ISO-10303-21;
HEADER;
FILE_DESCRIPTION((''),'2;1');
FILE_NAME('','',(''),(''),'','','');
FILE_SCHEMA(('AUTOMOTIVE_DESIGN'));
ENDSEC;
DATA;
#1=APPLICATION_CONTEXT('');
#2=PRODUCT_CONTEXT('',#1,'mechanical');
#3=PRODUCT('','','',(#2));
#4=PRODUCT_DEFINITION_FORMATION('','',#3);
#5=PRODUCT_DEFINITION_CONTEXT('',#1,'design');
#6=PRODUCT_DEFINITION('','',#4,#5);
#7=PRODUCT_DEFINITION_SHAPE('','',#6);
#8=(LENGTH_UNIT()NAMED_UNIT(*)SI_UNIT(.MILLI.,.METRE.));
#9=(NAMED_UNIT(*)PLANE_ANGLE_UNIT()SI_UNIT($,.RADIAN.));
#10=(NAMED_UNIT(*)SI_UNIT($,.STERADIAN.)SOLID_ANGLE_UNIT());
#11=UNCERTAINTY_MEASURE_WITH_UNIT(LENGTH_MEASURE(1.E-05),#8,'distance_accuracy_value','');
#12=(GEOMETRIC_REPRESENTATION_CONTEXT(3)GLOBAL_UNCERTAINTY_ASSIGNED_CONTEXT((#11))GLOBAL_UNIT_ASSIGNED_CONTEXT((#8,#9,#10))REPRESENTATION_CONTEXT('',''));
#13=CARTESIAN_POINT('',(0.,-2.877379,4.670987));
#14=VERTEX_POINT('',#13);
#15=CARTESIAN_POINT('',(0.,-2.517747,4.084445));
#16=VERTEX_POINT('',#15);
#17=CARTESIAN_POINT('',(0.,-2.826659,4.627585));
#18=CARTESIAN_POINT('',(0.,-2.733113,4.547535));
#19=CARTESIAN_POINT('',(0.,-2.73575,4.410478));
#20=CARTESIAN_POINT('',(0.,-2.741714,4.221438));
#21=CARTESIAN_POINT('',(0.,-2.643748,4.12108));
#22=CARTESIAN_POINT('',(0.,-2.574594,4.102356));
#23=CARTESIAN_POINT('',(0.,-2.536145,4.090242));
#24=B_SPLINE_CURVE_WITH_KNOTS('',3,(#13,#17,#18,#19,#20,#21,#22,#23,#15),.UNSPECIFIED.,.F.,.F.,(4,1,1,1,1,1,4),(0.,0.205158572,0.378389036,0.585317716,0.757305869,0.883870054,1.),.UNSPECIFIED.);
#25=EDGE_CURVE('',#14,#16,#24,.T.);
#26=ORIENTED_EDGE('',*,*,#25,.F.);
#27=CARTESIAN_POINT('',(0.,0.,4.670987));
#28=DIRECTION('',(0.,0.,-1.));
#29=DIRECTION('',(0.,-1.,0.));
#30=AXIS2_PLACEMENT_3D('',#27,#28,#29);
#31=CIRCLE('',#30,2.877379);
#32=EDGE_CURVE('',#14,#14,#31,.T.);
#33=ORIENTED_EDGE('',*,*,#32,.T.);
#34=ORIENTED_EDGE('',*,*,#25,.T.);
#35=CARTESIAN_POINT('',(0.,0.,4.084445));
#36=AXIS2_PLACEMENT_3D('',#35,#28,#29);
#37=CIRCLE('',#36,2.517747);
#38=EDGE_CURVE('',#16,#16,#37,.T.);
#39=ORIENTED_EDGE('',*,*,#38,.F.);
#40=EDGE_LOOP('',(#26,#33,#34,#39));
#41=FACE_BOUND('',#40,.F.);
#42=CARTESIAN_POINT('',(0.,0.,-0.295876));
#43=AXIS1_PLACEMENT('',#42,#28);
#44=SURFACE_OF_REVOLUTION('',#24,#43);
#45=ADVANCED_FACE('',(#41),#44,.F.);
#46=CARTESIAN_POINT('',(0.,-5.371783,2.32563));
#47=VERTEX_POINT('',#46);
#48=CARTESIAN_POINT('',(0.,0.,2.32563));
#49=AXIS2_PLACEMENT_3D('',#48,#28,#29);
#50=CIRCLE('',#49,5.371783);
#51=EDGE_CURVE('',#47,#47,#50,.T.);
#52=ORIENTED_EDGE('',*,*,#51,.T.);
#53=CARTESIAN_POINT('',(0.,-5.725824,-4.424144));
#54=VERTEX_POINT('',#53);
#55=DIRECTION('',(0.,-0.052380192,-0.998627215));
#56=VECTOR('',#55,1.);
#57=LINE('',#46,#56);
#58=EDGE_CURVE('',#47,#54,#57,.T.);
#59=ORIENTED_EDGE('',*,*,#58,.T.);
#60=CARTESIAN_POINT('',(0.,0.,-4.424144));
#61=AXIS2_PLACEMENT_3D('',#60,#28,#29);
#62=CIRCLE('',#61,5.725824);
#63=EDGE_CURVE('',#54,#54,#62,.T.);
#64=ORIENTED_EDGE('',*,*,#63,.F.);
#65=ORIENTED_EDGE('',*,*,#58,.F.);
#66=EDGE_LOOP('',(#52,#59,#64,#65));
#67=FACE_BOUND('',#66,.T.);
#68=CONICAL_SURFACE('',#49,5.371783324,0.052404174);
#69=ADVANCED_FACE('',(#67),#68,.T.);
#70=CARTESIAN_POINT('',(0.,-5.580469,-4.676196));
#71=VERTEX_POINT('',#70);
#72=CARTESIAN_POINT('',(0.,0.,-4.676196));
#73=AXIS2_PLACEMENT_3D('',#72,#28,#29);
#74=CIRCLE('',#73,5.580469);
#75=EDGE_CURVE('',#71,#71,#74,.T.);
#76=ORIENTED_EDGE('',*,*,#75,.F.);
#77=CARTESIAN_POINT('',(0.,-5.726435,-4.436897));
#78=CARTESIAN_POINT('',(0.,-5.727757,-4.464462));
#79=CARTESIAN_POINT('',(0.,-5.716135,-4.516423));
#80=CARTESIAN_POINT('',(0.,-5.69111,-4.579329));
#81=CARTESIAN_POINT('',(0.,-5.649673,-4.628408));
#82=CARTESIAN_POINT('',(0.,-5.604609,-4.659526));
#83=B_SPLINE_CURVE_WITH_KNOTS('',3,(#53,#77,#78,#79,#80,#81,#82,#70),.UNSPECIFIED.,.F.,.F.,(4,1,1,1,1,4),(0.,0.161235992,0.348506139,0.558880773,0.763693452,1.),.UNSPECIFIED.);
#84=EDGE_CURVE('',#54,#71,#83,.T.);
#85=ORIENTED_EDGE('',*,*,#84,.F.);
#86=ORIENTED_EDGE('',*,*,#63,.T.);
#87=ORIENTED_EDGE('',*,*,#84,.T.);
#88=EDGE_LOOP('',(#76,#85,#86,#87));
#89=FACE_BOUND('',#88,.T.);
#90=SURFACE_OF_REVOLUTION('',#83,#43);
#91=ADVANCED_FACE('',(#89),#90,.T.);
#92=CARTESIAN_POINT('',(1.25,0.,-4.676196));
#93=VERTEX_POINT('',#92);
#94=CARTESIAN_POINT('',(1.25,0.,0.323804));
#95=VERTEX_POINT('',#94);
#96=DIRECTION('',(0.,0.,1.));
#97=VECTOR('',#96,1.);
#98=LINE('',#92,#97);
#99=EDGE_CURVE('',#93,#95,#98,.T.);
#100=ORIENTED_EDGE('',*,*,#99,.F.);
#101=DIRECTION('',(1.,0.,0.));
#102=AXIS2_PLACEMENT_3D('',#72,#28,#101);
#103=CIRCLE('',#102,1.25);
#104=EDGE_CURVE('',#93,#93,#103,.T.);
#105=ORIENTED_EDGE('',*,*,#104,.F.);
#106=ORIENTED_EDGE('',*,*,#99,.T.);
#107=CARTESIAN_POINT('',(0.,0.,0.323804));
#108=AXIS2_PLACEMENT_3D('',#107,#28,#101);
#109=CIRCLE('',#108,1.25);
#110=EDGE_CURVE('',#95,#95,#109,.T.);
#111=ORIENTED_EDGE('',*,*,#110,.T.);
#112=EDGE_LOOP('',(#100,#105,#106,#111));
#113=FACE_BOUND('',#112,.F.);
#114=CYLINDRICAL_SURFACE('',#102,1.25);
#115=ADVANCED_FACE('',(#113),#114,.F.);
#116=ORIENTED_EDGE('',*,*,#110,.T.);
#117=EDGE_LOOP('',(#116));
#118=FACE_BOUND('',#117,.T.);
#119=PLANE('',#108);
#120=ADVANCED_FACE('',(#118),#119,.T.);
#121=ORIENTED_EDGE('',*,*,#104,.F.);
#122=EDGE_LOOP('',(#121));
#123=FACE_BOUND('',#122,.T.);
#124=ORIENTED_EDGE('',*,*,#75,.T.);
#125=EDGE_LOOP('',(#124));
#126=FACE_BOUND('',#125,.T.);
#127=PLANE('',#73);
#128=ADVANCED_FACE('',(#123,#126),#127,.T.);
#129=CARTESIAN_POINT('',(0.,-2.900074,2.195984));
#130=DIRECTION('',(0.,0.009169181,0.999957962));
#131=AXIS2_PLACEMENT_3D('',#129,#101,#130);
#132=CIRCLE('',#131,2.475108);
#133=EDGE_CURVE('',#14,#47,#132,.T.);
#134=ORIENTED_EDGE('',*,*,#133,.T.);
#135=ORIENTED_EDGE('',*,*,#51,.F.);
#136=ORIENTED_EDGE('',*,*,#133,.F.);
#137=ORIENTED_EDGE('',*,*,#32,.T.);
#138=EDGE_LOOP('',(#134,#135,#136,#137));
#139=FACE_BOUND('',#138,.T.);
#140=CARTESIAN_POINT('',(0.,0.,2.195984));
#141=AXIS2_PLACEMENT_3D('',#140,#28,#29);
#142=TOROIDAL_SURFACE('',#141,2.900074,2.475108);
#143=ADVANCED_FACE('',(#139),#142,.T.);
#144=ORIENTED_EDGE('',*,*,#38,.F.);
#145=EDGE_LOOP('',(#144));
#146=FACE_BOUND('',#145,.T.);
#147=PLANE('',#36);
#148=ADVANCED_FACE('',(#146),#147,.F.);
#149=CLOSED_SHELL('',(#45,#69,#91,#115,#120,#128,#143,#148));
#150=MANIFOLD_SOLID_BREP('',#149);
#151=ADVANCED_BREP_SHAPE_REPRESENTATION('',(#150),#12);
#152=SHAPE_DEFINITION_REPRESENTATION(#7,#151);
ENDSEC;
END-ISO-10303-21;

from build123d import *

# Parameters (mm, degrees)
F3_R     = 1.25
F4_DEPTH = 5


with BuildPart() as f2:
    # F1 (on Right) → F2 (revolve)
    with BuildSketch(Plane.YZ):
        with BuildLine():
            Line((-5.3717833243, 2.3256304618), (-5.7258238085, -4.4241435826))
            add(Edge.make_bspline(
                [(-5.7258238085, -4.4241435826), (-5.7264351493, -4.4368966068), (-5.7277565417, -4.464461837), (-5.7161348447, -4.5164232593), (-5.6911095307, -4.5793291163), (-5.6496734627, -4.628407601), (-5.6046093237, -4.659526133), (-5.580468569, -4.6761962585)],
                knots=[0, 0, 0, 0, 0.1612359922, 0.3485061387, 0.5588807728, 0.7636934523, 1, 1, 1, 1], degree=3))
            Line((-5.580468569, -4.6761962585), (0, -4.6761962585))
            Line((0, -4.6761962585), (0, 4.0844450705))
            Line((0, 4.0844450705), (-2.5177469943, 4.0844450705))
            add(Edge.make_bspline(
                [(-2.8773788363, 4.6709873714), (-2.826659029, 4.6275849969), (-2.7331127599, 4.547534807), (-2.7357495643, 4.4104777312), (-2.7417141422, 4.2214380375), (-2.643748447, 4.1210795553), (-2.5745941834, 4.1023556975), (-2.5361450378, 4.0902416719), (-2.5177469943, 4.0844450705)],
                knots=[0, 0, 0, 0, 0.2051585718, 0.3783890356, 0.5853177161, 0.7573058689, 0.8838700543, 1, 1, 1, 1], degree=3))
            ThreePointArc((-2.8773788363, 4.6709873714), (-4.5955361552, 3.999193216), (-5.3717833243, 2.3256304618))
        make_face()
    revolve(axis=Axis((0, 0, -0.295875594), (0, 0, -1)))

    # F3 (on face) → F4 (cut)
    with BuildSketch(Plane(origin=(0, 0, -4.6761962585), x_dir=(1, 0, 0), z_dir=(0, 0, -1))):
        Circle(F3_R)
    extrude(amount=-F4_DEPTH, mode=Mode.SUBTRACT)


solid = f2.part
